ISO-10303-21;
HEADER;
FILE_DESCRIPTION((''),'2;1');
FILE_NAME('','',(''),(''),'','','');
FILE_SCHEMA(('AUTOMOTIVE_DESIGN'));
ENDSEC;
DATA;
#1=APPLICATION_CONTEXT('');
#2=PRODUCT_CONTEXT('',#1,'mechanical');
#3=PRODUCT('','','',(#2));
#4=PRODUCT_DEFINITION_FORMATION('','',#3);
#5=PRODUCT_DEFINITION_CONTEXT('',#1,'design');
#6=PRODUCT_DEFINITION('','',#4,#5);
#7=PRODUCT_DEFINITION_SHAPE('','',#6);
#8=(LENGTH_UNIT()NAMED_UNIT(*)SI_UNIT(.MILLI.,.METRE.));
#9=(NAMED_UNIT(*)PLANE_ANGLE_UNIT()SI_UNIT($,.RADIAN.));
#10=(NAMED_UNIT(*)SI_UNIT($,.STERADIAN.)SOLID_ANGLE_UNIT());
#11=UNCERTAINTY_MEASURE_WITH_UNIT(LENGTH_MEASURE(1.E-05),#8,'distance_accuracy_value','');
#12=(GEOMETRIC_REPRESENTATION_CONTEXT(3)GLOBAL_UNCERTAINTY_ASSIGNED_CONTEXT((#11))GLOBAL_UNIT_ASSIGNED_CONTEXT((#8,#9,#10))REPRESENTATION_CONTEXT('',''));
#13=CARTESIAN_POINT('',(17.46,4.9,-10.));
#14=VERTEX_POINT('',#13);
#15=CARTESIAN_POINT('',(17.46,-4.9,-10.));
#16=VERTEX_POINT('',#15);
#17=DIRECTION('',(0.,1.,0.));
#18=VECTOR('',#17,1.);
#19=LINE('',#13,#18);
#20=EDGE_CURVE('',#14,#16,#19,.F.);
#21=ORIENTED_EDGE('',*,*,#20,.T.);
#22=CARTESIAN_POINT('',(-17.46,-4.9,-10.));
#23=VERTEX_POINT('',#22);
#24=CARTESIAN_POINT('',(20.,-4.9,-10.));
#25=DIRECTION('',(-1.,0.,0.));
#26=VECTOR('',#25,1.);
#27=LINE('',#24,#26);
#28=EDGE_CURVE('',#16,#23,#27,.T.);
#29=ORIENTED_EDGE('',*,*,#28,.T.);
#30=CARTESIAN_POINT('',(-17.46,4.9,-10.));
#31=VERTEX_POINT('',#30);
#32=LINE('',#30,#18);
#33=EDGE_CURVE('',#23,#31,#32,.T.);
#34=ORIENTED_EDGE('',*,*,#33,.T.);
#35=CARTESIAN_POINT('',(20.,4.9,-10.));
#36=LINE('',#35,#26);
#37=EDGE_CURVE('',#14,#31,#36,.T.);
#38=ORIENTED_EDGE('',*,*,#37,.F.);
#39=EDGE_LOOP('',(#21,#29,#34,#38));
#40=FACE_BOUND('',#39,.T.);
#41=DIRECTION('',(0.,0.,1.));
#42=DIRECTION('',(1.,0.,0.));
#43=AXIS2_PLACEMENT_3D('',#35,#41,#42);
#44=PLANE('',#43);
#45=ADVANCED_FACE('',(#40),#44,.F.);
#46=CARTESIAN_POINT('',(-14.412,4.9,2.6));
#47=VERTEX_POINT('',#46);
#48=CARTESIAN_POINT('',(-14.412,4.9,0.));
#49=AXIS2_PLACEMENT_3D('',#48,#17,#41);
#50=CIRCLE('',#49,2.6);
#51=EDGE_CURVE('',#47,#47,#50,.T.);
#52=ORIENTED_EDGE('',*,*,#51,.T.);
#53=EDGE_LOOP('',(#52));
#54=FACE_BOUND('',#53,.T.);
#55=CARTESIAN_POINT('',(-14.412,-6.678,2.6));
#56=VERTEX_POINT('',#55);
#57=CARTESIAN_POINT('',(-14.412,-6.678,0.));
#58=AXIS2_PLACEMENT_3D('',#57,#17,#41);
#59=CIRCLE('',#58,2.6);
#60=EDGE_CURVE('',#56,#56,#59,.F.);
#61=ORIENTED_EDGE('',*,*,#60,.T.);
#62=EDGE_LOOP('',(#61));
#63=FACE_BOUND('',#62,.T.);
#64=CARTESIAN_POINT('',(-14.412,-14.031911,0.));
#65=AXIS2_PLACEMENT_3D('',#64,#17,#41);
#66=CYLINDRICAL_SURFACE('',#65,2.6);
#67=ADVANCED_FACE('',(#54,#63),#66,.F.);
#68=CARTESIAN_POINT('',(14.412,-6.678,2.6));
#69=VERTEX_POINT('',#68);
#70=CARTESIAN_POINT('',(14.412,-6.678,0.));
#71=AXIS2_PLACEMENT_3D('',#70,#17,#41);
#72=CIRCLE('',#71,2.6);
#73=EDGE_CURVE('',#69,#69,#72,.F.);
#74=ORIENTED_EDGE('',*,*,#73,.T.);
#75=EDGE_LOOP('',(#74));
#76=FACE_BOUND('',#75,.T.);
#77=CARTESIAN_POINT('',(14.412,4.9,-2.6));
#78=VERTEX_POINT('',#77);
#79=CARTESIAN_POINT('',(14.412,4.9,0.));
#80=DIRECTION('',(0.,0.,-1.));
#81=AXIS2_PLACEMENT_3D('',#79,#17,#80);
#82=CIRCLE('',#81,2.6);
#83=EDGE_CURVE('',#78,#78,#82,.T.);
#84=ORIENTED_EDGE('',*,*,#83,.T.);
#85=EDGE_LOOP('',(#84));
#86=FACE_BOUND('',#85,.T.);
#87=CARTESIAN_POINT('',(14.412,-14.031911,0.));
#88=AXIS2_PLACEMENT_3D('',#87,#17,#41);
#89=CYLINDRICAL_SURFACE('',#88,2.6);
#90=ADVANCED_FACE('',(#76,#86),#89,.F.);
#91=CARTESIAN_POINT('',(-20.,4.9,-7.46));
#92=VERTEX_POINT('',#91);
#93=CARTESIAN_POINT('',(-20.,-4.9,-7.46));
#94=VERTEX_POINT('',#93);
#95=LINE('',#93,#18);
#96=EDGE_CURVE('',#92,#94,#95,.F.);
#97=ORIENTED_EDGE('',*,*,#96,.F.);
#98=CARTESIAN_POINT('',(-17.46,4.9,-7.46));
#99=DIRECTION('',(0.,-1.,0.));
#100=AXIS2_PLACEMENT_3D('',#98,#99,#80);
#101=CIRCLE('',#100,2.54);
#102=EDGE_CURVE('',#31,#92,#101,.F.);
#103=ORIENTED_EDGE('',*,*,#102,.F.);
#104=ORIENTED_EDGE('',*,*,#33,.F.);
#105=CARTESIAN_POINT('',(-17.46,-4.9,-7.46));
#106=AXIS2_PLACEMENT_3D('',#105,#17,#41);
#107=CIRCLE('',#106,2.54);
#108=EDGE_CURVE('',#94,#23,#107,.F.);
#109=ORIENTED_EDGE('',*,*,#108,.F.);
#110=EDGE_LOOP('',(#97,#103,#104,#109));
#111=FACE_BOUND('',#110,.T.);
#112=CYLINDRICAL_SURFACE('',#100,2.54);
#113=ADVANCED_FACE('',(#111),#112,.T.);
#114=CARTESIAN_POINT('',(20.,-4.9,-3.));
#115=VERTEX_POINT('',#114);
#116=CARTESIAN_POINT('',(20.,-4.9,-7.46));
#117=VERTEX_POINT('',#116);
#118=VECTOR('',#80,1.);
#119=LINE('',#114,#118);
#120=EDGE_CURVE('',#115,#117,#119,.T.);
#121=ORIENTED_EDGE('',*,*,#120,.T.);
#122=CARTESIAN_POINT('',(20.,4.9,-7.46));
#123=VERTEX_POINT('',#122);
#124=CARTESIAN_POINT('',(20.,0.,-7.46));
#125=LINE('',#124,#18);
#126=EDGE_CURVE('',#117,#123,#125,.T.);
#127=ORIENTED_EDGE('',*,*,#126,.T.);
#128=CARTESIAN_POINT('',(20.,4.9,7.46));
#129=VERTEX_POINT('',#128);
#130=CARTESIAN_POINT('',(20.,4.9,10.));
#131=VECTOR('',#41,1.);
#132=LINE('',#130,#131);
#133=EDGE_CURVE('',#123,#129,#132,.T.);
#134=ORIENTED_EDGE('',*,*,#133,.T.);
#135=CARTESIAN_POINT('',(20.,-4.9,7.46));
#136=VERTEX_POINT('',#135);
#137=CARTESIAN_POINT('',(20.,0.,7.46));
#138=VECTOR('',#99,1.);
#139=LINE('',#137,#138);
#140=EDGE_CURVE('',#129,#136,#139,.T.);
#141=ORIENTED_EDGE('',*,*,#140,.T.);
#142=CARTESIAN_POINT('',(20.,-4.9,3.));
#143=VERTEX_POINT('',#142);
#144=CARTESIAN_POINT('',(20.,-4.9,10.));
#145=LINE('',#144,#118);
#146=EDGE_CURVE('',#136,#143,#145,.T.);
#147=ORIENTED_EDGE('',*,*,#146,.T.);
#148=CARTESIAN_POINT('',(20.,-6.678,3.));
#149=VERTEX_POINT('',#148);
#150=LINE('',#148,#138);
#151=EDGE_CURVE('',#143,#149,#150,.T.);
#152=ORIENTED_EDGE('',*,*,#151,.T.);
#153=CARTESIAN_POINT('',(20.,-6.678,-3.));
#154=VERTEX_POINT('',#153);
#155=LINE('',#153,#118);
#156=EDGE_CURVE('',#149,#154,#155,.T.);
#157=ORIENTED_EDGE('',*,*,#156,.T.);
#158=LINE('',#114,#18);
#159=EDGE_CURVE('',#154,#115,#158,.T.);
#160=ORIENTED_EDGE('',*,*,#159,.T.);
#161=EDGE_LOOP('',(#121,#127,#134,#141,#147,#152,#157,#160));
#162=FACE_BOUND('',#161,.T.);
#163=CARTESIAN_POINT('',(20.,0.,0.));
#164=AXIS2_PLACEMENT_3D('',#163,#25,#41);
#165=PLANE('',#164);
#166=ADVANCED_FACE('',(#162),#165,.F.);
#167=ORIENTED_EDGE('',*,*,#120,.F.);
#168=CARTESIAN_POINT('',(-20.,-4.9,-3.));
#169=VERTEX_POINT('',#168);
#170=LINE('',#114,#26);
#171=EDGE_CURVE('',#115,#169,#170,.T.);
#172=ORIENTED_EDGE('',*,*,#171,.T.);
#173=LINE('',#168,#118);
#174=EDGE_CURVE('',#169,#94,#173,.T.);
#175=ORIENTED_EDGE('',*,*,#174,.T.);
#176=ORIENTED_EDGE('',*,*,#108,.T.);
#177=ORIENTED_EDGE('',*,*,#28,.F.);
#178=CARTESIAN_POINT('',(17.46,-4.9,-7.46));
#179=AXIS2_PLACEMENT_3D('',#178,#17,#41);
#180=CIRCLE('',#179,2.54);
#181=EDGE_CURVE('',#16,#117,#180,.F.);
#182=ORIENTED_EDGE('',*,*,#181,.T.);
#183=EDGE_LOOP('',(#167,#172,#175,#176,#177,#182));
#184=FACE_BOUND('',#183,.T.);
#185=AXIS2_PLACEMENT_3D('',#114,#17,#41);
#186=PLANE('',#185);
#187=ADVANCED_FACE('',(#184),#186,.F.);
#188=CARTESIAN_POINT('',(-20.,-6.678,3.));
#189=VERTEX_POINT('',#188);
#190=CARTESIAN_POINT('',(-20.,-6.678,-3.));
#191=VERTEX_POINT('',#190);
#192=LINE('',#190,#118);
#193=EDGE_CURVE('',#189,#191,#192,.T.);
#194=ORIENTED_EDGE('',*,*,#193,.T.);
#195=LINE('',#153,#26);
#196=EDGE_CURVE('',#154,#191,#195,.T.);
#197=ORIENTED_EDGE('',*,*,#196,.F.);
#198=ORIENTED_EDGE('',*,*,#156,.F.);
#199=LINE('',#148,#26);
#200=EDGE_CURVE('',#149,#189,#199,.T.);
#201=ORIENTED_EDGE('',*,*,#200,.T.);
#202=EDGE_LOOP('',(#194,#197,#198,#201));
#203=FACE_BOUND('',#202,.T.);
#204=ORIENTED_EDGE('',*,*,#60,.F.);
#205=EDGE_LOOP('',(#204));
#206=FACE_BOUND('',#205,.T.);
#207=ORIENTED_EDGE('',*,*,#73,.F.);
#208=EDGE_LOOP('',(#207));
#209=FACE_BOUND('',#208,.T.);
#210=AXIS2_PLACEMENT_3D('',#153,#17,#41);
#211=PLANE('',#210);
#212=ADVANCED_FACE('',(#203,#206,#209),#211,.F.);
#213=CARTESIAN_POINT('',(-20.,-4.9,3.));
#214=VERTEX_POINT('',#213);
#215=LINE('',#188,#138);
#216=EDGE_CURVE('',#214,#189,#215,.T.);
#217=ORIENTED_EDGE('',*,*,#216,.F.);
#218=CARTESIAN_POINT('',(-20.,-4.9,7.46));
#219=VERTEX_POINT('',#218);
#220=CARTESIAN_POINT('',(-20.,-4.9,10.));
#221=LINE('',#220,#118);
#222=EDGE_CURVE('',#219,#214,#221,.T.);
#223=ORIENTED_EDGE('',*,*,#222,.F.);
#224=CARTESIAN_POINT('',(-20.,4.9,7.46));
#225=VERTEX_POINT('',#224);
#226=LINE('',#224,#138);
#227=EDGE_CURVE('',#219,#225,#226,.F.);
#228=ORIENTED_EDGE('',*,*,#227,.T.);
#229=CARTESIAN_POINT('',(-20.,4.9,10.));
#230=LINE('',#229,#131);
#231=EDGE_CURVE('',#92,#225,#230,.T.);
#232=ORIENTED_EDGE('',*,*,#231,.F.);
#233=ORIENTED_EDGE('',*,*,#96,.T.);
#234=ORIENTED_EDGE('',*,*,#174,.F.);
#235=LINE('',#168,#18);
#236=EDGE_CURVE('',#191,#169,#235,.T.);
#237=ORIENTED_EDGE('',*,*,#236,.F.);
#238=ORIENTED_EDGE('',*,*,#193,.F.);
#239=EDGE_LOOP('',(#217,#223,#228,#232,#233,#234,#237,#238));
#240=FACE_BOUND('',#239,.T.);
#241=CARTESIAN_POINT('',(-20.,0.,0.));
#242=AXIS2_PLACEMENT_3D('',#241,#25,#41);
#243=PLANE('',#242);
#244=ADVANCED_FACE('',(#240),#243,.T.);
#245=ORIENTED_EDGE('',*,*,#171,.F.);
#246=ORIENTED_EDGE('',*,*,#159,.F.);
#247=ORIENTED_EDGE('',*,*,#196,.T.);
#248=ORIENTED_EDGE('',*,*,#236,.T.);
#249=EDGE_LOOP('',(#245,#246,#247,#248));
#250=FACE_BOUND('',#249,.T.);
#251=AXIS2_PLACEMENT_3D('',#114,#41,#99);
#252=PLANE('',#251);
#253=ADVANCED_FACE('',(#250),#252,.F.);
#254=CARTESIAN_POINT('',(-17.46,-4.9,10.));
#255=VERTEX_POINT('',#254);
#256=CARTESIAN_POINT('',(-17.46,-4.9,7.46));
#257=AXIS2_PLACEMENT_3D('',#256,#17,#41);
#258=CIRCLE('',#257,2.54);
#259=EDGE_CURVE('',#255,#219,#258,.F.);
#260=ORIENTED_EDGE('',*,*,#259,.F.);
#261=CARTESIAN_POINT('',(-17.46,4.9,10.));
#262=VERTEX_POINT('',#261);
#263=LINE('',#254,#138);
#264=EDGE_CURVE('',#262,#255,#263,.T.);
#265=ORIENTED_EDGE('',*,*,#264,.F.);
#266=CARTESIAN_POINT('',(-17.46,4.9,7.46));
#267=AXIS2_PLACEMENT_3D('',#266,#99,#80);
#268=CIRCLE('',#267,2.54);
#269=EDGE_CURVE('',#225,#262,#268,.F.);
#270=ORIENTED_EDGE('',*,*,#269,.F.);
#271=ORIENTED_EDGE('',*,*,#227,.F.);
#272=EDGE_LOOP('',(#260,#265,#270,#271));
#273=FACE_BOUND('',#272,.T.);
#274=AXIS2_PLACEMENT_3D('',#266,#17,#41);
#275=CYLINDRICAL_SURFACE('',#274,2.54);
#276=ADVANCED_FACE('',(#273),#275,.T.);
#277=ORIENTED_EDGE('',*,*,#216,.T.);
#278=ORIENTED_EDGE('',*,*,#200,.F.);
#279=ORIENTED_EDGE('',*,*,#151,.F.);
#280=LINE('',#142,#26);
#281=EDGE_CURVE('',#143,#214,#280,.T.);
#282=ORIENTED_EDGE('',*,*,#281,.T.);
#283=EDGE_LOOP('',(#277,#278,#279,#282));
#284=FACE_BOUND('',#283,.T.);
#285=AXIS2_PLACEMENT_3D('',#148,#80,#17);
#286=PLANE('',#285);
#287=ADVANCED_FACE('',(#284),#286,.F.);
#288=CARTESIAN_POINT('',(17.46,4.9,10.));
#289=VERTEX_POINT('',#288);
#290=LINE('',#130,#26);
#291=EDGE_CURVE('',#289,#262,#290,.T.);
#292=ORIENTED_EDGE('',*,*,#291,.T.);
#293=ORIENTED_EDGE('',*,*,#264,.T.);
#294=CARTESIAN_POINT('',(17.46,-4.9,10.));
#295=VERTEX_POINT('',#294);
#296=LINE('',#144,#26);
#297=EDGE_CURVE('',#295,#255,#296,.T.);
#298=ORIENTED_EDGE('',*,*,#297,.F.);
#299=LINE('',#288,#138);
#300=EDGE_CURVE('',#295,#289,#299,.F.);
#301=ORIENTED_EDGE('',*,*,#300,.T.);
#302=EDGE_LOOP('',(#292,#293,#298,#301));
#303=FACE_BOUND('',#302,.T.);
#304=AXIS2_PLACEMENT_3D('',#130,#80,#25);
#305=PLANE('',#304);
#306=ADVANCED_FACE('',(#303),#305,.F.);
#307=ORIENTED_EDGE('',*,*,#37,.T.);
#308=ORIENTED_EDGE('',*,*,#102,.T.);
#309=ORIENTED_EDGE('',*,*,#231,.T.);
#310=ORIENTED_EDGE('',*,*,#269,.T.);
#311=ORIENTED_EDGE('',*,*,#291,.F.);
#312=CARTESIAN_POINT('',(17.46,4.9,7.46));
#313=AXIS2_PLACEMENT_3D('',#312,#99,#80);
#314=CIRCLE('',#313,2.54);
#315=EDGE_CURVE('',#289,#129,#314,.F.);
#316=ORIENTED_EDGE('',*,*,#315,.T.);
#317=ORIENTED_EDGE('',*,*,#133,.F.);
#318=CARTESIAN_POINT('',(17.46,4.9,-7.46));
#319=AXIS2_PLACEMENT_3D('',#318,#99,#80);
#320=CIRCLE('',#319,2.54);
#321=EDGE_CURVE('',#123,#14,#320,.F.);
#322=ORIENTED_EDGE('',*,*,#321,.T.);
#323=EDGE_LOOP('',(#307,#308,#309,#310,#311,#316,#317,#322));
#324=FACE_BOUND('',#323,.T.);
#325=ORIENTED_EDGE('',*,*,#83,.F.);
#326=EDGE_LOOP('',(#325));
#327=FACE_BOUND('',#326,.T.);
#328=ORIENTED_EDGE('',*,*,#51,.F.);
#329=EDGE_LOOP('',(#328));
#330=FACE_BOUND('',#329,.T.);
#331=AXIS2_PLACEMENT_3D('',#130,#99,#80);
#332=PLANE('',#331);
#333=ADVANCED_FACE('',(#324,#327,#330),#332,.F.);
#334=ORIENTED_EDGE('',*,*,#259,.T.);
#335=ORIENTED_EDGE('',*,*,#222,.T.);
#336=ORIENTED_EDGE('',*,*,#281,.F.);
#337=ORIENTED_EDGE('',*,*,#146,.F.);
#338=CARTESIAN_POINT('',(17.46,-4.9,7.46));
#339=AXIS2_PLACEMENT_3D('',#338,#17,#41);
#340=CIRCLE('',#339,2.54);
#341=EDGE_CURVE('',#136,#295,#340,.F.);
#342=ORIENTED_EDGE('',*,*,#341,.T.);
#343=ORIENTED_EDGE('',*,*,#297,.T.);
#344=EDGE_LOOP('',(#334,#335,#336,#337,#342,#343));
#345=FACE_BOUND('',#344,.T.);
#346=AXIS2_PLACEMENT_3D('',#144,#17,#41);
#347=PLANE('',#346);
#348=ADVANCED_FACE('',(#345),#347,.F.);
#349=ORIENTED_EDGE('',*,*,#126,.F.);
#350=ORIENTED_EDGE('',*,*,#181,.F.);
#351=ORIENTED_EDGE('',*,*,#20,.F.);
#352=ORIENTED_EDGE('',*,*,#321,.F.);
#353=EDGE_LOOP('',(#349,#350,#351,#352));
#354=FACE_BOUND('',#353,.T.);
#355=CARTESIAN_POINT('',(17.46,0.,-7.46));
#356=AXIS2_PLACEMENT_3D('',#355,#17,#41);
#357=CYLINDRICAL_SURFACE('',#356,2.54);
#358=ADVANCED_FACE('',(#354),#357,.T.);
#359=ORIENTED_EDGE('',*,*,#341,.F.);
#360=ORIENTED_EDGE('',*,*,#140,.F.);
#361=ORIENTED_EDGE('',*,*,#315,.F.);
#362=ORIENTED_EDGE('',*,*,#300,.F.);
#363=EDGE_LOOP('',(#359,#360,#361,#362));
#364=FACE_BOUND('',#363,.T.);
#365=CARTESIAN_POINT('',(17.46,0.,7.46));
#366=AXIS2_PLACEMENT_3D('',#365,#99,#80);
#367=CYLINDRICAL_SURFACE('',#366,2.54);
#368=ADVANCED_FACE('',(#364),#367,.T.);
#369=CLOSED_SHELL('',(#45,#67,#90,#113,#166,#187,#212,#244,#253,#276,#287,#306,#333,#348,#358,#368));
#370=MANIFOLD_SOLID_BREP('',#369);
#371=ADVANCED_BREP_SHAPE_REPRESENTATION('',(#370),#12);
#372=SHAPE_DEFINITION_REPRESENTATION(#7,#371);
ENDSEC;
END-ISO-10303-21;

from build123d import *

# Parameters (mm, degrees)
BOSS_EXTRUDE1_DEPTH = 20
SKETCH2_R           = 2.6
CUT_EXTRUDE1_DEPTH  = 11.578
FILLET1_R           = 2.54


with BuildPart() as part:
    # Sketch1 → Boss-Extrude1 (new, symmetric)
    with BuildSketch(Plane(origin=(0, 0, 0), x_dir=(0, 0, -1), z_dir=(1, 0, 0))):
        Polygon((-10, 4.9), (10, 4.9), (10, -4.9), (3, -4.9), (3, -6.678), (-3, -6.678), (-3, -4.9), (-10, -4.9), align=None)
    extrude(amount=BOSS_EXTRUDE1_DEPTH, both=True)

    # Sketch2 → Cut-Extrude1 (cut)
    with BuildSketch(Plane(origin=(0, 4.9, 0), x_dir=(1, 0, 0), z_dir=(0, 1, 0))):
        with Locations(Location((-14.412, 0, 0), (0, 0, 270))):
            Circle(SKETCH2_R)
        with Locations(Location((14.412, 0, 0), (0, 0, 270))):
            Circle(SKETCH2_R)
    extrude(amount=-CUT_EXTRUDE1_DEPTH, mode=Mode.SUBTRACT)

    # Fillet1
    fillet1_edges = [part.edges().sort_by_distance(p)[0] for p in [
        (-20, 0, -10),
        (20, 0, 10),
        (20, 0, -10),
        (-20, 0, 10),
    ]]
    fillet(fillet1_edges, radius=FILLET1_R)


solid = part.part
